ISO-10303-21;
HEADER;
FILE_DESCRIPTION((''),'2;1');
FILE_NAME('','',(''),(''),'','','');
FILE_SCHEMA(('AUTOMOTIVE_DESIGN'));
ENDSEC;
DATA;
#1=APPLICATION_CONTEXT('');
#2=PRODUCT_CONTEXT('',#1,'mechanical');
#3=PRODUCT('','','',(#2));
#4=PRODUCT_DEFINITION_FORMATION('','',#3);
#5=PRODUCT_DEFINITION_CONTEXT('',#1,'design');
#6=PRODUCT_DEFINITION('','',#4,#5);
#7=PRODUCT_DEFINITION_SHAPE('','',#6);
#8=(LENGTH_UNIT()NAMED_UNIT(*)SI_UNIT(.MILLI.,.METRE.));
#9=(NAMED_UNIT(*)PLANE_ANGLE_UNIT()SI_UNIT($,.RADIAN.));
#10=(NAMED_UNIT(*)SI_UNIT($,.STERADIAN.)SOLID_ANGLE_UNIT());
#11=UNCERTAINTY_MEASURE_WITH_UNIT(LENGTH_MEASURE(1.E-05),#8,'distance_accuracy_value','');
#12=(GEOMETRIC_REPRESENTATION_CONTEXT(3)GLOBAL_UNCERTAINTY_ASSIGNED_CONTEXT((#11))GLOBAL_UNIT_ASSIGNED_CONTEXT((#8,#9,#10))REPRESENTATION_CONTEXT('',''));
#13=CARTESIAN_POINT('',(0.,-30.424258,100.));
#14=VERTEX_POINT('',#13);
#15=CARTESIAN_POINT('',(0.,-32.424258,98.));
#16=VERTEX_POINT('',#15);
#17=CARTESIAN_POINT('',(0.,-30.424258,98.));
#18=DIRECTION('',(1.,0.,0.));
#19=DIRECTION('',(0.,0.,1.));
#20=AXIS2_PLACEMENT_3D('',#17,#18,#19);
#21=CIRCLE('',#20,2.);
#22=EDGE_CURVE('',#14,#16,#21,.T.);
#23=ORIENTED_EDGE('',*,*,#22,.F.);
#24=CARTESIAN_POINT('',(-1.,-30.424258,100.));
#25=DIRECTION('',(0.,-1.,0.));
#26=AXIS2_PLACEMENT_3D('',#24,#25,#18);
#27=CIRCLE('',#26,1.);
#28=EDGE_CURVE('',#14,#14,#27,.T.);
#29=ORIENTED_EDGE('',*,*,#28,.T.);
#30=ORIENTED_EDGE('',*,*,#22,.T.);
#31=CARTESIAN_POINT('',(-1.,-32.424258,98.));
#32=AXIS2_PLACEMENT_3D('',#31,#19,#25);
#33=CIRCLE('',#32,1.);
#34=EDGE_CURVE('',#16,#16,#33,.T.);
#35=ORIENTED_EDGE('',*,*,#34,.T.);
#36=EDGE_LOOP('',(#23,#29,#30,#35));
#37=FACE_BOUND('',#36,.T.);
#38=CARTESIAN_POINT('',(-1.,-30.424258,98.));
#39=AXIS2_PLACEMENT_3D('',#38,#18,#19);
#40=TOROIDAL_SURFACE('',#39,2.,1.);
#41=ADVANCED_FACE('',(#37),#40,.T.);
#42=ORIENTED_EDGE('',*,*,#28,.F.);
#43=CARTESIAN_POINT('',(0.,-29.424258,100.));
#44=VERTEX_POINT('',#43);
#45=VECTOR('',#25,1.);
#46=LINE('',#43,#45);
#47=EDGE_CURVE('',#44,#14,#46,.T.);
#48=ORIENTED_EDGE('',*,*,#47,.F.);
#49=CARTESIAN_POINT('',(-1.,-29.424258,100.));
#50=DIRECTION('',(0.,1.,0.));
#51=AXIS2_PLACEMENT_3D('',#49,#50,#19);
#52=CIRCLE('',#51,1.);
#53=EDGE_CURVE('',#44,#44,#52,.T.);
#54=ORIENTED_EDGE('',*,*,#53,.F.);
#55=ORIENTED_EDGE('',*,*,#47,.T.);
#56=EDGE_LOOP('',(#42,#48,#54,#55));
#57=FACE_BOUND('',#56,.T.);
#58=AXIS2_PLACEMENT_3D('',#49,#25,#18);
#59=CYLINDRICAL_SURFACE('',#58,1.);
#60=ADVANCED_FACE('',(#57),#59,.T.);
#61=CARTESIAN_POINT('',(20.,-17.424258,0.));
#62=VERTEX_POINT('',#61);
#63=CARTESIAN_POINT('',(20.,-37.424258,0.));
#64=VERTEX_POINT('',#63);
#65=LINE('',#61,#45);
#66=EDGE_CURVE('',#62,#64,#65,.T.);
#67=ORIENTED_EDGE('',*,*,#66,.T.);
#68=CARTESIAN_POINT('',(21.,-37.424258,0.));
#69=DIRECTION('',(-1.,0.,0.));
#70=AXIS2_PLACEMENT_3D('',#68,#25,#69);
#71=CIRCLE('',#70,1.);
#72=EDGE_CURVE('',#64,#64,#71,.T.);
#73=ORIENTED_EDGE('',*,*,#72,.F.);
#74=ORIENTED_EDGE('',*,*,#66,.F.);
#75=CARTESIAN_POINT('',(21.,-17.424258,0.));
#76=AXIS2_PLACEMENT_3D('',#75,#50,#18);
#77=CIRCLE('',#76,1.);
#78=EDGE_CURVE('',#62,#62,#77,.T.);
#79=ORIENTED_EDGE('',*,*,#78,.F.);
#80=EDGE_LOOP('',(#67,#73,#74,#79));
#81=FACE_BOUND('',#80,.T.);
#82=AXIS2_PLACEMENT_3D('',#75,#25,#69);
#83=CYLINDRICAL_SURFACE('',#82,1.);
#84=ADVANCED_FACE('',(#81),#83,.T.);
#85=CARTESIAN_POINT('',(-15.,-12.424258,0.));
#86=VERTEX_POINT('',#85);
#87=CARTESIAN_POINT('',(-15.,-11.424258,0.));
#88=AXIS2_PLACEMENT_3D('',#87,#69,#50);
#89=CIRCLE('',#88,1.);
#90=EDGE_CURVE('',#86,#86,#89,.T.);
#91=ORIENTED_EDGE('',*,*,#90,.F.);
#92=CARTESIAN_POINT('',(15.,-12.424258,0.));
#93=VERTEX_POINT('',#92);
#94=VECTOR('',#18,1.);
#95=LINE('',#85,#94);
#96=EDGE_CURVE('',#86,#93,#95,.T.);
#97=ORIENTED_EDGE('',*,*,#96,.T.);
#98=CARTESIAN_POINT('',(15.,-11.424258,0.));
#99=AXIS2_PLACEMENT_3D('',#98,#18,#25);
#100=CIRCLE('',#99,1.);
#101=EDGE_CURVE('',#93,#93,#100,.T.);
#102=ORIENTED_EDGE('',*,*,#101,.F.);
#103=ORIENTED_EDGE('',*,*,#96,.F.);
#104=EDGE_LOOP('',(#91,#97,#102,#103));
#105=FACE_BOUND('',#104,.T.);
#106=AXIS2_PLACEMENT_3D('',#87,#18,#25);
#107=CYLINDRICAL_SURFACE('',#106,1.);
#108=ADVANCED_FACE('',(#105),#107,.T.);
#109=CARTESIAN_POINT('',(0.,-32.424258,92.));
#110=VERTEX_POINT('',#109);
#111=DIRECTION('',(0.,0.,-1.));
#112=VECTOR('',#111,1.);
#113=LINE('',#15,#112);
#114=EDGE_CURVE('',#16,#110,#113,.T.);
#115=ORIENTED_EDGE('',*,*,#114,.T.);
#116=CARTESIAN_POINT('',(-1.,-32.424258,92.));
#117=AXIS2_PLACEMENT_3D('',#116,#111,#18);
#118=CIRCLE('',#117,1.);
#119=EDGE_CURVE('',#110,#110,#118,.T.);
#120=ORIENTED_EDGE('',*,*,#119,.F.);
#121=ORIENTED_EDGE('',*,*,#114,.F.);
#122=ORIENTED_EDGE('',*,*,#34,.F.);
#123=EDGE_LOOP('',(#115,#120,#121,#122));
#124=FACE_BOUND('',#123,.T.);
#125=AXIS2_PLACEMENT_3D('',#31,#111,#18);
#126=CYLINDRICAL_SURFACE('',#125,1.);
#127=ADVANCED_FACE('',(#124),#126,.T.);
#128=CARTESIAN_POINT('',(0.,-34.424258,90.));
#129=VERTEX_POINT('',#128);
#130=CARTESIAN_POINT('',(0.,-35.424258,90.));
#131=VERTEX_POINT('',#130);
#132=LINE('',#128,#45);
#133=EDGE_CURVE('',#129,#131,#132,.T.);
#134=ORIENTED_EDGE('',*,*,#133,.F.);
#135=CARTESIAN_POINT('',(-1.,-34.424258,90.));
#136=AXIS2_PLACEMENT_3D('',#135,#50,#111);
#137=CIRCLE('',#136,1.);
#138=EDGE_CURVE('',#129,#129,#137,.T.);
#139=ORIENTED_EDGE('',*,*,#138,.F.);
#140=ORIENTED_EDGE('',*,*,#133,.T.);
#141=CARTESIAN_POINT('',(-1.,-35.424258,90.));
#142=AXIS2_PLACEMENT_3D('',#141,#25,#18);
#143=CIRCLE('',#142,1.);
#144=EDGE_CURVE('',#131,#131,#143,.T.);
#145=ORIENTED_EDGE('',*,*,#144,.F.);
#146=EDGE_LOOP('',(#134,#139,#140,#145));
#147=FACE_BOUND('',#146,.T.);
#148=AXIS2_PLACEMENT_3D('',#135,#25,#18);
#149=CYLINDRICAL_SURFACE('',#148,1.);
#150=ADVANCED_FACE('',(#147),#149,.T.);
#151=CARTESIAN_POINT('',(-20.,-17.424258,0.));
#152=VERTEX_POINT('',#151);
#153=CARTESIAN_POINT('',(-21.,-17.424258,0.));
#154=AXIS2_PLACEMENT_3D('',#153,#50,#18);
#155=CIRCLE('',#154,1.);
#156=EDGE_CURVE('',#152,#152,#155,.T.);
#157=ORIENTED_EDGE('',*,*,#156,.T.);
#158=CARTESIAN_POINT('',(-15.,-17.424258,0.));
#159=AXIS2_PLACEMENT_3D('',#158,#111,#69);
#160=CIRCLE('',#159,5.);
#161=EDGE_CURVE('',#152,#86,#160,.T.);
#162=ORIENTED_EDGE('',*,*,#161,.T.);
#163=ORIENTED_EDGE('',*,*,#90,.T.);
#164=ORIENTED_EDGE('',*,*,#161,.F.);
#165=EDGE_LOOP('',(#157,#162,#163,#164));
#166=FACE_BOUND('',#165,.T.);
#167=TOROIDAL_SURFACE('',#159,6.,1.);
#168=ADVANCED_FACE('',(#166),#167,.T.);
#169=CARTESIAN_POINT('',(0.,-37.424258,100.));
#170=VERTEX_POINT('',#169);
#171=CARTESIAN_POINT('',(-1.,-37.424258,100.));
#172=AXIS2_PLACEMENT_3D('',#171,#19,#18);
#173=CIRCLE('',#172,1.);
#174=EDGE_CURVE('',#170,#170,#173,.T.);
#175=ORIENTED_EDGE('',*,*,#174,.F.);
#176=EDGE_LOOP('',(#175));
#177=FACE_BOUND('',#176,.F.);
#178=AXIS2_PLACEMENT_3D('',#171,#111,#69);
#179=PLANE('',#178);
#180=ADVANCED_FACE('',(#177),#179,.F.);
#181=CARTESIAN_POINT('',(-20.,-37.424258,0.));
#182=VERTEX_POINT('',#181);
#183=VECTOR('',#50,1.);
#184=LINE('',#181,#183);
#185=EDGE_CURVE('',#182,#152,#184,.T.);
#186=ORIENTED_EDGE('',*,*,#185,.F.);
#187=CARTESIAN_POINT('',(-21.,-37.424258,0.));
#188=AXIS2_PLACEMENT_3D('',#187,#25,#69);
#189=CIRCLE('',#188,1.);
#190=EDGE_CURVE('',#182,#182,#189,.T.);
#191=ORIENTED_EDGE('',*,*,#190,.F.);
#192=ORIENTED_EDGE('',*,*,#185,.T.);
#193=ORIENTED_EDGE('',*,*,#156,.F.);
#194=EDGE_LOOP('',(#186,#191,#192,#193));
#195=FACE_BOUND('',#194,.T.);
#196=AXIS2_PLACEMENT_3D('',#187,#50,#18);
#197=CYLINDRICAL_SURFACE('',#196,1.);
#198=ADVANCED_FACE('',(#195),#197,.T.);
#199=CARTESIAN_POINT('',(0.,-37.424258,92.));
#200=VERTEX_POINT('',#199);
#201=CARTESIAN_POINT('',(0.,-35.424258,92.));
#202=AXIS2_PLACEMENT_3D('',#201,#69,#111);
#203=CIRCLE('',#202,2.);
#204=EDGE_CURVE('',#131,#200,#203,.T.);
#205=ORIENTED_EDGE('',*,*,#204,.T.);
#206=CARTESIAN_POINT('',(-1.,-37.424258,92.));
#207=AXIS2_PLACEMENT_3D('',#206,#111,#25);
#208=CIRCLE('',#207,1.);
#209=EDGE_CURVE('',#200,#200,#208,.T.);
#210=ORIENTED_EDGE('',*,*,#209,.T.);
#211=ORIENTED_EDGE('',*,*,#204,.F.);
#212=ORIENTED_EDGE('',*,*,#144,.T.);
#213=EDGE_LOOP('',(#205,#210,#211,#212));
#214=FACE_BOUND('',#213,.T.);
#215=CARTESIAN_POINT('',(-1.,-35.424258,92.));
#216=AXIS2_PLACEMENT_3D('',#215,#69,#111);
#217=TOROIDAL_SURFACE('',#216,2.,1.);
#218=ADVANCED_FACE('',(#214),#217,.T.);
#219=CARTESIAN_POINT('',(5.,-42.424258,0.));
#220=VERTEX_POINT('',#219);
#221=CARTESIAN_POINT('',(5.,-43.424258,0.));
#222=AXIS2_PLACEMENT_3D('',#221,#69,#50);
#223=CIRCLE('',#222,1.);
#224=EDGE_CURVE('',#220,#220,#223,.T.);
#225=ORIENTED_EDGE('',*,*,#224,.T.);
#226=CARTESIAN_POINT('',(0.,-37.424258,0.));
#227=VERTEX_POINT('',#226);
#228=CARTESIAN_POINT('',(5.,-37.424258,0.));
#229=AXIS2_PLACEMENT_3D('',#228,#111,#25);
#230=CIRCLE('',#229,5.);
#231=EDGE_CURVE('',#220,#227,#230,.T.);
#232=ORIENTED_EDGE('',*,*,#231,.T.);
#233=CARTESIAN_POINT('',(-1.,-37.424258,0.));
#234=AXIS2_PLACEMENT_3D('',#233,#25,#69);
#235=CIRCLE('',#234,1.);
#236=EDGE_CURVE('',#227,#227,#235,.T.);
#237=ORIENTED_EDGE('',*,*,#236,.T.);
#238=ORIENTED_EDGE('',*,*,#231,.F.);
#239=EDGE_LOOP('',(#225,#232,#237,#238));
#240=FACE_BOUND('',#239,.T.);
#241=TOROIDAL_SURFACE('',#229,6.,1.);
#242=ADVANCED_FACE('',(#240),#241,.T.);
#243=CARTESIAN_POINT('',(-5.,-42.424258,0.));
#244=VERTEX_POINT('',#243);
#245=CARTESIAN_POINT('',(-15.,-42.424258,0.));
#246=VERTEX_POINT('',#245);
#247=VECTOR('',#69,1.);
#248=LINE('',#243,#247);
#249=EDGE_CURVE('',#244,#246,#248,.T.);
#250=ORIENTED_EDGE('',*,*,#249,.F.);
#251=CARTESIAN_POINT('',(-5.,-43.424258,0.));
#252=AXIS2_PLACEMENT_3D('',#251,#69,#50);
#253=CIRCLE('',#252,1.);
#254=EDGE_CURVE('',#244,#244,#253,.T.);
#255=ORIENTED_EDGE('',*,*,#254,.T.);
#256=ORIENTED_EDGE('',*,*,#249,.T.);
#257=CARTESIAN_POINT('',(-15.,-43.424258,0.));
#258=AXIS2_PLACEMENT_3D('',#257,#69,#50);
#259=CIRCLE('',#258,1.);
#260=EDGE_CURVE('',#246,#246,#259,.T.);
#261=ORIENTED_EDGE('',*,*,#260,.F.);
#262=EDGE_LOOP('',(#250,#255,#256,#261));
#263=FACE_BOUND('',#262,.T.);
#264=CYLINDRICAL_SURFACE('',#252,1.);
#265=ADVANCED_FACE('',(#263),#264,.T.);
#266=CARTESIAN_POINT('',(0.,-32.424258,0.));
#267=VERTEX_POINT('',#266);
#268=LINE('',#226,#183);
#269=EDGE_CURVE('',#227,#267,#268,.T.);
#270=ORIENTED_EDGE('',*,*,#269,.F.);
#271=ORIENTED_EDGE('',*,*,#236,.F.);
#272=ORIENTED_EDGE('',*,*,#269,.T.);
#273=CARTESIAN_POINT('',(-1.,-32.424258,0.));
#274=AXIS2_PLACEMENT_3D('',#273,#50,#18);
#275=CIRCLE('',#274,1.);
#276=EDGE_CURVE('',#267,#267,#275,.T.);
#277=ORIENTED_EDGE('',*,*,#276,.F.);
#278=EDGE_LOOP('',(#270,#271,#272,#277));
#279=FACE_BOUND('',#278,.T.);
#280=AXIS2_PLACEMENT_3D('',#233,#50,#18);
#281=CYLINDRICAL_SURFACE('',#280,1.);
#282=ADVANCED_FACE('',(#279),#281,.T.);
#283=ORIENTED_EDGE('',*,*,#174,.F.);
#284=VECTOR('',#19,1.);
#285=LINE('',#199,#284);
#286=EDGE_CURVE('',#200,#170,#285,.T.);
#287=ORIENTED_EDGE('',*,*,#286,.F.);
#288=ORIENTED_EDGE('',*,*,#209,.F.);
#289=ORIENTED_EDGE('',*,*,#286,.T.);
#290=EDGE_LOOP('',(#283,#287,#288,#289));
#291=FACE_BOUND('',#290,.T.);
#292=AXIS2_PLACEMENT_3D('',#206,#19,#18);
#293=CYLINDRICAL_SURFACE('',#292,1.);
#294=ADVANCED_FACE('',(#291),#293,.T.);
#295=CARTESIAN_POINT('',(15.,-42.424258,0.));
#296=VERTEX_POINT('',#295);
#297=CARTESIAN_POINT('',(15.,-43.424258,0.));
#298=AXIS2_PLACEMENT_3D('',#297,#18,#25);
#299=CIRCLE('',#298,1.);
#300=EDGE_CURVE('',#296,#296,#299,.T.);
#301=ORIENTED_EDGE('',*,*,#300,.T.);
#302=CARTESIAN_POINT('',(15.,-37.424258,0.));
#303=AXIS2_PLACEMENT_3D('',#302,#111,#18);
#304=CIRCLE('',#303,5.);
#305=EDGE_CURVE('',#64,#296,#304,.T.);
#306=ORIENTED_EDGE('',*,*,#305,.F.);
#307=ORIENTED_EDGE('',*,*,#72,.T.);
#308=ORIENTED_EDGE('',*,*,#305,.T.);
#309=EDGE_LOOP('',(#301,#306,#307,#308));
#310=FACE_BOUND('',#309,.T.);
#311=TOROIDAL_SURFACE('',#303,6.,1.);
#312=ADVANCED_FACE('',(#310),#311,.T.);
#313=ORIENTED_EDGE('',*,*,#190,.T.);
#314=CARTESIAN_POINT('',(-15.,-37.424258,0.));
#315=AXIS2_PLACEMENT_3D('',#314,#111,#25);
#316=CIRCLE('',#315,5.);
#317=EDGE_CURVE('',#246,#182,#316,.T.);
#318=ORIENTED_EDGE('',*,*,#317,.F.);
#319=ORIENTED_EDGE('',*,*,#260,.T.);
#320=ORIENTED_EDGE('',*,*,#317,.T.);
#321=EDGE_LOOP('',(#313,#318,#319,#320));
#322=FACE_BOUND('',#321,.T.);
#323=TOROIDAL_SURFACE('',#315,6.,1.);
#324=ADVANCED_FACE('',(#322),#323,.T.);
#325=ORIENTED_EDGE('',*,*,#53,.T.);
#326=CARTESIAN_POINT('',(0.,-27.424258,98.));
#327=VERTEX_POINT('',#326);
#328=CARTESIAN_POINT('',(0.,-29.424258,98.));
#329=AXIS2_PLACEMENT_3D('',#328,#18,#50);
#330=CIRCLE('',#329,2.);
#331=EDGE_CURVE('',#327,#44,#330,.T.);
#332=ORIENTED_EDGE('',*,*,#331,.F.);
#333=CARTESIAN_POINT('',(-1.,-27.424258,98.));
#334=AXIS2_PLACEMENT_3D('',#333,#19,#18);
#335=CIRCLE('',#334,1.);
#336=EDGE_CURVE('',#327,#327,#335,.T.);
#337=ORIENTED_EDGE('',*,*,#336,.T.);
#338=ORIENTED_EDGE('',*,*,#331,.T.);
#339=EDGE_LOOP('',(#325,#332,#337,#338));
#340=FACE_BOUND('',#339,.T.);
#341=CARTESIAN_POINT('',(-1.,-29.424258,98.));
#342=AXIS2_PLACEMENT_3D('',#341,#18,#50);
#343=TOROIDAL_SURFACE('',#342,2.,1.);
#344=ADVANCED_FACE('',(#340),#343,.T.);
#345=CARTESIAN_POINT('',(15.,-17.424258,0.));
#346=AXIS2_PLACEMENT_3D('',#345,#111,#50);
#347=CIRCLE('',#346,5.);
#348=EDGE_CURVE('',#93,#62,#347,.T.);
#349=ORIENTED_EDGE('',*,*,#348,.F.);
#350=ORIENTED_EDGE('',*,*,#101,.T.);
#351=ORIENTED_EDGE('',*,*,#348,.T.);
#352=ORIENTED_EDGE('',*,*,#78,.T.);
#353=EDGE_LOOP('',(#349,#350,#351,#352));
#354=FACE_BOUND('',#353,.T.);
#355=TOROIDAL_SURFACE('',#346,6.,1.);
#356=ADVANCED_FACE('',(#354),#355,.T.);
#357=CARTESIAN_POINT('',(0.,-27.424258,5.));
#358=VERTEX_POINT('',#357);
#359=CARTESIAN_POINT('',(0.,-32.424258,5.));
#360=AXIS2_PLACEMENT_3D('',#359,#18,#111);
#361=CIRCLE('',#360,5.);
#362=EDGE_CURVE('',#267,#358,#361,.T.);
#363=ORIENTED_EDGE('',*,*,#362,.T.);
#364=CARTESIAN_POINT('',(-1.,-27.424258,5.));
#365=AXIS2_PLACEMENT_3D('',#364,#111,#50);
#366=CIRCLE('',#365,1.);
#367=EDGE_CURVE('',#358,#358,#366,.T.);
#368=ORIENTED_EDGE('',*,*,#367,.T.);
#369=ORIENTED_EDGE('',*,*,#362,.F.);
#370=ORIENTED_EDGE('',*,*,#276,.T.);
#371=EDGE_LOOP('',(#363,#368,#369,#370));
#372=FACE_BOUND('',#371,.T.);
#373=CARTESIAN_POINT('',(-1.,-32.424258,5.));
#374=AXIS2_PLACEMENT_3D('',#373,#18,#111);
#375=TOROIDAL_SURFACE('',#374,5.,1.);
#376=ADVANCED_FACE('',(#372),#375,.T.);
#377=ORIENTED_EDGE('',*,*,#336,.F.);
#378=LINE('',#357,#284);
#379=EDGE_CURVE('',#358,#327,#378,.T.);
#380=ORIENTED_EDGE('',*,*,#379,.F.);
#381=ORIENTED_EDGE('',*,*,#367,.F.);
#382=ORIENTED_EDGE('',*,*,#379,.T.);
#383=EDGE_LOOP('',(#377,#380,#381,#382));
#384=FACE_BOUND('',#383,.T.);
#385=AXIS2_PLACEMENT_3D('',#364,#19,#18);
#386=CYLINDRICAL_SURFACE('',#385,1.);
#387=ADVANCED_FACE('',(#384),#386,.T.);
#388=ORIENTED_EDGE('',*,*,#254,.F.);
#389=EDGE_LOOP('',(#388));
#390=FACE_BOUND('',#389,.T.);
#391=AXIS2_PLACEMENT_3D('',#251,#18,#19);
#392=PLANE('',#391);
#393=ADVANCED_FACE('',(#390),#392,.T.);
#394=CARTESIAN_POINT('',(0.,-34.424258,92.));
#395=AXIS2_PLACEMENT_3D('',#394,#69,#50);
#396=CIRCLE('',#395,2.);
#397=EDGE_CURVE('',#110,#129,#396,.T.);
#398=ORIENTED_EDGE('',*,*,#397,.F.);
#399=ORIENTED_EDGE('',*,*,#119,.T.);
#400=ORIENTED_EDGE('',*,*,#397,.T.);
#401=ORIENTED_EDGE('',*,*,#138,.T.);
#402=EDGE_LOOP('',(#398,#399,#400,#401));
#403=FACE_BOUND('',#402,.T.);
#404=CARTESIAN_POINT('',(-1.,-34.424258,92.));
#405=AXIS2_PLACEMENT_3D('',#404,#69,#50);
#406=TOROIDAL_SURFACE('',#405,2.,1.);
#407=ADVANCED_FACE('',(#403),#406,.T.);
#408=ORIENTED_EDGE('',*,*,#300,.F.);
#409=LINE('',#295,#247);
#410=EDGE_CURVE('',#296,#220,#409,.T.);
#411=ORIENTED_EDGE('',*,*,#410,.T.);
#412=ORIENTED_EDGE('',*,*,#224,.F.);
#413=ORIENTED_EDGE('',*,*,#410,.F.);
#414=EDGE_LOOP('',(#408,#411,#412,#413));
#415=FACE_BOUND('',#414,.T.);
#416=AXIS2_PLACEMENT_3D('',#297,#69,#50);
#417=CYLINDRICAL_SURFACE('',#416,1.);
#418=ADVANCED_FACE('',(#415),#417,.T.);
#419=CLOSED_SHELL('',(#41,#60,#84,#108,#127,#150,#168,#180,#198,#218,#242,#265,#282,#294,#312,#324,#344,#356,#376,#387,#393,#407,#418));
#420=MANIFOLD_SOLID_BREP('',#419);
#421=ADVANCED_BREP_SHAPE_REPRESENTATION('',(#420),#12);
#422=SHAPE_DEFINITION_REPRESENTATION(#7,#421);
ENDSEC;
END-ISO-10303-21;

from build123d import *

# Parameters (mm, degrees)
F3_R = 1


with BuildPart() as f4:
    # F4: sweep along a path in F1, F0
    with BuildLine(Plane.XY) as f4_path:
        Line((-5, -42.4242580721), (-15, -42.4242580721))
        ThreePointArc((-15, -42.4242580721), (-18.5355339059, -40.959791978), (-20, -37.4242580721))
        Line((-20, -37.4242580721), (-20, -17.4242580721))
        ThreePointArc((-20, -17.4242580721), (-18.5355339059, -13.8887241661), (-15, -12.4242580721))
        Line((-15, -12.4242580721), (15, -12.4242580721))
        ThreePointArc((15, -12.4242580721), (18.5355339059, -13.8887241661), (20, -17.4242580721))
        Line((20, -17.4242580721), (20, -37.4242580721))
        ThreePointArc((20, -37.4242580721), (18.5355339059, -40.959791978), (15, -42.4242580721))
        Line((15, -42.4242580721), (5, -42.4242580721))
        ThreePointArc((5, -42.4242580721), (1.4644660941, -40.959791978), (0, -37.4242580721))
    with BuildLine(Plane.YZ) as f4_path_2:
        Line((-37.4242580721, 0), (-32.4242580721, 0))
        ThreePointArc((-32.4242580721, 0), (-28.8887241661, 1.4644660941), (-27.4242580721, 5))
        Line((-27.4242580721, 5), (-27.4242580721, 98))
        ThreePointArc((-27.4242580721, 98), (-28.0100445097, 99.4142135624), (-29.4242580721, 100))
        Line((-29.4242580721, 100), (-30.4242580721, 100))
        ThreePointArc((-30.4242580721, 100), (-31.8384716344, 99.4142135624), (-32.4242580721, 98))
        Line((-32.4242580721, 98), (-32.4242580721, 92))
        ThreePointArc((-32.4242580721, 92), (-33.0100445097, 90.5857864376), (-34.4242580721, 90))
        Line((-34.4242580721, 90), (-35.4242580721, 90))
        ThreePointArc((-35.4242580721, 90), (-36.8384716344, 90.5857864376), (-37.4242580721, 92))
        Line((-37.4242580721, 92), (-37.4242580721, 100))
    # F3 (on plane+point) → F4 (sweep)
    with BuildSketch(Plane.YZ.offset(-5)):
        with Locations((-43.4242580721, 0)):
            Circle(F3_R)
    sweep(path=f4_path.line + f4_path_2.line)


solid = f4.part
